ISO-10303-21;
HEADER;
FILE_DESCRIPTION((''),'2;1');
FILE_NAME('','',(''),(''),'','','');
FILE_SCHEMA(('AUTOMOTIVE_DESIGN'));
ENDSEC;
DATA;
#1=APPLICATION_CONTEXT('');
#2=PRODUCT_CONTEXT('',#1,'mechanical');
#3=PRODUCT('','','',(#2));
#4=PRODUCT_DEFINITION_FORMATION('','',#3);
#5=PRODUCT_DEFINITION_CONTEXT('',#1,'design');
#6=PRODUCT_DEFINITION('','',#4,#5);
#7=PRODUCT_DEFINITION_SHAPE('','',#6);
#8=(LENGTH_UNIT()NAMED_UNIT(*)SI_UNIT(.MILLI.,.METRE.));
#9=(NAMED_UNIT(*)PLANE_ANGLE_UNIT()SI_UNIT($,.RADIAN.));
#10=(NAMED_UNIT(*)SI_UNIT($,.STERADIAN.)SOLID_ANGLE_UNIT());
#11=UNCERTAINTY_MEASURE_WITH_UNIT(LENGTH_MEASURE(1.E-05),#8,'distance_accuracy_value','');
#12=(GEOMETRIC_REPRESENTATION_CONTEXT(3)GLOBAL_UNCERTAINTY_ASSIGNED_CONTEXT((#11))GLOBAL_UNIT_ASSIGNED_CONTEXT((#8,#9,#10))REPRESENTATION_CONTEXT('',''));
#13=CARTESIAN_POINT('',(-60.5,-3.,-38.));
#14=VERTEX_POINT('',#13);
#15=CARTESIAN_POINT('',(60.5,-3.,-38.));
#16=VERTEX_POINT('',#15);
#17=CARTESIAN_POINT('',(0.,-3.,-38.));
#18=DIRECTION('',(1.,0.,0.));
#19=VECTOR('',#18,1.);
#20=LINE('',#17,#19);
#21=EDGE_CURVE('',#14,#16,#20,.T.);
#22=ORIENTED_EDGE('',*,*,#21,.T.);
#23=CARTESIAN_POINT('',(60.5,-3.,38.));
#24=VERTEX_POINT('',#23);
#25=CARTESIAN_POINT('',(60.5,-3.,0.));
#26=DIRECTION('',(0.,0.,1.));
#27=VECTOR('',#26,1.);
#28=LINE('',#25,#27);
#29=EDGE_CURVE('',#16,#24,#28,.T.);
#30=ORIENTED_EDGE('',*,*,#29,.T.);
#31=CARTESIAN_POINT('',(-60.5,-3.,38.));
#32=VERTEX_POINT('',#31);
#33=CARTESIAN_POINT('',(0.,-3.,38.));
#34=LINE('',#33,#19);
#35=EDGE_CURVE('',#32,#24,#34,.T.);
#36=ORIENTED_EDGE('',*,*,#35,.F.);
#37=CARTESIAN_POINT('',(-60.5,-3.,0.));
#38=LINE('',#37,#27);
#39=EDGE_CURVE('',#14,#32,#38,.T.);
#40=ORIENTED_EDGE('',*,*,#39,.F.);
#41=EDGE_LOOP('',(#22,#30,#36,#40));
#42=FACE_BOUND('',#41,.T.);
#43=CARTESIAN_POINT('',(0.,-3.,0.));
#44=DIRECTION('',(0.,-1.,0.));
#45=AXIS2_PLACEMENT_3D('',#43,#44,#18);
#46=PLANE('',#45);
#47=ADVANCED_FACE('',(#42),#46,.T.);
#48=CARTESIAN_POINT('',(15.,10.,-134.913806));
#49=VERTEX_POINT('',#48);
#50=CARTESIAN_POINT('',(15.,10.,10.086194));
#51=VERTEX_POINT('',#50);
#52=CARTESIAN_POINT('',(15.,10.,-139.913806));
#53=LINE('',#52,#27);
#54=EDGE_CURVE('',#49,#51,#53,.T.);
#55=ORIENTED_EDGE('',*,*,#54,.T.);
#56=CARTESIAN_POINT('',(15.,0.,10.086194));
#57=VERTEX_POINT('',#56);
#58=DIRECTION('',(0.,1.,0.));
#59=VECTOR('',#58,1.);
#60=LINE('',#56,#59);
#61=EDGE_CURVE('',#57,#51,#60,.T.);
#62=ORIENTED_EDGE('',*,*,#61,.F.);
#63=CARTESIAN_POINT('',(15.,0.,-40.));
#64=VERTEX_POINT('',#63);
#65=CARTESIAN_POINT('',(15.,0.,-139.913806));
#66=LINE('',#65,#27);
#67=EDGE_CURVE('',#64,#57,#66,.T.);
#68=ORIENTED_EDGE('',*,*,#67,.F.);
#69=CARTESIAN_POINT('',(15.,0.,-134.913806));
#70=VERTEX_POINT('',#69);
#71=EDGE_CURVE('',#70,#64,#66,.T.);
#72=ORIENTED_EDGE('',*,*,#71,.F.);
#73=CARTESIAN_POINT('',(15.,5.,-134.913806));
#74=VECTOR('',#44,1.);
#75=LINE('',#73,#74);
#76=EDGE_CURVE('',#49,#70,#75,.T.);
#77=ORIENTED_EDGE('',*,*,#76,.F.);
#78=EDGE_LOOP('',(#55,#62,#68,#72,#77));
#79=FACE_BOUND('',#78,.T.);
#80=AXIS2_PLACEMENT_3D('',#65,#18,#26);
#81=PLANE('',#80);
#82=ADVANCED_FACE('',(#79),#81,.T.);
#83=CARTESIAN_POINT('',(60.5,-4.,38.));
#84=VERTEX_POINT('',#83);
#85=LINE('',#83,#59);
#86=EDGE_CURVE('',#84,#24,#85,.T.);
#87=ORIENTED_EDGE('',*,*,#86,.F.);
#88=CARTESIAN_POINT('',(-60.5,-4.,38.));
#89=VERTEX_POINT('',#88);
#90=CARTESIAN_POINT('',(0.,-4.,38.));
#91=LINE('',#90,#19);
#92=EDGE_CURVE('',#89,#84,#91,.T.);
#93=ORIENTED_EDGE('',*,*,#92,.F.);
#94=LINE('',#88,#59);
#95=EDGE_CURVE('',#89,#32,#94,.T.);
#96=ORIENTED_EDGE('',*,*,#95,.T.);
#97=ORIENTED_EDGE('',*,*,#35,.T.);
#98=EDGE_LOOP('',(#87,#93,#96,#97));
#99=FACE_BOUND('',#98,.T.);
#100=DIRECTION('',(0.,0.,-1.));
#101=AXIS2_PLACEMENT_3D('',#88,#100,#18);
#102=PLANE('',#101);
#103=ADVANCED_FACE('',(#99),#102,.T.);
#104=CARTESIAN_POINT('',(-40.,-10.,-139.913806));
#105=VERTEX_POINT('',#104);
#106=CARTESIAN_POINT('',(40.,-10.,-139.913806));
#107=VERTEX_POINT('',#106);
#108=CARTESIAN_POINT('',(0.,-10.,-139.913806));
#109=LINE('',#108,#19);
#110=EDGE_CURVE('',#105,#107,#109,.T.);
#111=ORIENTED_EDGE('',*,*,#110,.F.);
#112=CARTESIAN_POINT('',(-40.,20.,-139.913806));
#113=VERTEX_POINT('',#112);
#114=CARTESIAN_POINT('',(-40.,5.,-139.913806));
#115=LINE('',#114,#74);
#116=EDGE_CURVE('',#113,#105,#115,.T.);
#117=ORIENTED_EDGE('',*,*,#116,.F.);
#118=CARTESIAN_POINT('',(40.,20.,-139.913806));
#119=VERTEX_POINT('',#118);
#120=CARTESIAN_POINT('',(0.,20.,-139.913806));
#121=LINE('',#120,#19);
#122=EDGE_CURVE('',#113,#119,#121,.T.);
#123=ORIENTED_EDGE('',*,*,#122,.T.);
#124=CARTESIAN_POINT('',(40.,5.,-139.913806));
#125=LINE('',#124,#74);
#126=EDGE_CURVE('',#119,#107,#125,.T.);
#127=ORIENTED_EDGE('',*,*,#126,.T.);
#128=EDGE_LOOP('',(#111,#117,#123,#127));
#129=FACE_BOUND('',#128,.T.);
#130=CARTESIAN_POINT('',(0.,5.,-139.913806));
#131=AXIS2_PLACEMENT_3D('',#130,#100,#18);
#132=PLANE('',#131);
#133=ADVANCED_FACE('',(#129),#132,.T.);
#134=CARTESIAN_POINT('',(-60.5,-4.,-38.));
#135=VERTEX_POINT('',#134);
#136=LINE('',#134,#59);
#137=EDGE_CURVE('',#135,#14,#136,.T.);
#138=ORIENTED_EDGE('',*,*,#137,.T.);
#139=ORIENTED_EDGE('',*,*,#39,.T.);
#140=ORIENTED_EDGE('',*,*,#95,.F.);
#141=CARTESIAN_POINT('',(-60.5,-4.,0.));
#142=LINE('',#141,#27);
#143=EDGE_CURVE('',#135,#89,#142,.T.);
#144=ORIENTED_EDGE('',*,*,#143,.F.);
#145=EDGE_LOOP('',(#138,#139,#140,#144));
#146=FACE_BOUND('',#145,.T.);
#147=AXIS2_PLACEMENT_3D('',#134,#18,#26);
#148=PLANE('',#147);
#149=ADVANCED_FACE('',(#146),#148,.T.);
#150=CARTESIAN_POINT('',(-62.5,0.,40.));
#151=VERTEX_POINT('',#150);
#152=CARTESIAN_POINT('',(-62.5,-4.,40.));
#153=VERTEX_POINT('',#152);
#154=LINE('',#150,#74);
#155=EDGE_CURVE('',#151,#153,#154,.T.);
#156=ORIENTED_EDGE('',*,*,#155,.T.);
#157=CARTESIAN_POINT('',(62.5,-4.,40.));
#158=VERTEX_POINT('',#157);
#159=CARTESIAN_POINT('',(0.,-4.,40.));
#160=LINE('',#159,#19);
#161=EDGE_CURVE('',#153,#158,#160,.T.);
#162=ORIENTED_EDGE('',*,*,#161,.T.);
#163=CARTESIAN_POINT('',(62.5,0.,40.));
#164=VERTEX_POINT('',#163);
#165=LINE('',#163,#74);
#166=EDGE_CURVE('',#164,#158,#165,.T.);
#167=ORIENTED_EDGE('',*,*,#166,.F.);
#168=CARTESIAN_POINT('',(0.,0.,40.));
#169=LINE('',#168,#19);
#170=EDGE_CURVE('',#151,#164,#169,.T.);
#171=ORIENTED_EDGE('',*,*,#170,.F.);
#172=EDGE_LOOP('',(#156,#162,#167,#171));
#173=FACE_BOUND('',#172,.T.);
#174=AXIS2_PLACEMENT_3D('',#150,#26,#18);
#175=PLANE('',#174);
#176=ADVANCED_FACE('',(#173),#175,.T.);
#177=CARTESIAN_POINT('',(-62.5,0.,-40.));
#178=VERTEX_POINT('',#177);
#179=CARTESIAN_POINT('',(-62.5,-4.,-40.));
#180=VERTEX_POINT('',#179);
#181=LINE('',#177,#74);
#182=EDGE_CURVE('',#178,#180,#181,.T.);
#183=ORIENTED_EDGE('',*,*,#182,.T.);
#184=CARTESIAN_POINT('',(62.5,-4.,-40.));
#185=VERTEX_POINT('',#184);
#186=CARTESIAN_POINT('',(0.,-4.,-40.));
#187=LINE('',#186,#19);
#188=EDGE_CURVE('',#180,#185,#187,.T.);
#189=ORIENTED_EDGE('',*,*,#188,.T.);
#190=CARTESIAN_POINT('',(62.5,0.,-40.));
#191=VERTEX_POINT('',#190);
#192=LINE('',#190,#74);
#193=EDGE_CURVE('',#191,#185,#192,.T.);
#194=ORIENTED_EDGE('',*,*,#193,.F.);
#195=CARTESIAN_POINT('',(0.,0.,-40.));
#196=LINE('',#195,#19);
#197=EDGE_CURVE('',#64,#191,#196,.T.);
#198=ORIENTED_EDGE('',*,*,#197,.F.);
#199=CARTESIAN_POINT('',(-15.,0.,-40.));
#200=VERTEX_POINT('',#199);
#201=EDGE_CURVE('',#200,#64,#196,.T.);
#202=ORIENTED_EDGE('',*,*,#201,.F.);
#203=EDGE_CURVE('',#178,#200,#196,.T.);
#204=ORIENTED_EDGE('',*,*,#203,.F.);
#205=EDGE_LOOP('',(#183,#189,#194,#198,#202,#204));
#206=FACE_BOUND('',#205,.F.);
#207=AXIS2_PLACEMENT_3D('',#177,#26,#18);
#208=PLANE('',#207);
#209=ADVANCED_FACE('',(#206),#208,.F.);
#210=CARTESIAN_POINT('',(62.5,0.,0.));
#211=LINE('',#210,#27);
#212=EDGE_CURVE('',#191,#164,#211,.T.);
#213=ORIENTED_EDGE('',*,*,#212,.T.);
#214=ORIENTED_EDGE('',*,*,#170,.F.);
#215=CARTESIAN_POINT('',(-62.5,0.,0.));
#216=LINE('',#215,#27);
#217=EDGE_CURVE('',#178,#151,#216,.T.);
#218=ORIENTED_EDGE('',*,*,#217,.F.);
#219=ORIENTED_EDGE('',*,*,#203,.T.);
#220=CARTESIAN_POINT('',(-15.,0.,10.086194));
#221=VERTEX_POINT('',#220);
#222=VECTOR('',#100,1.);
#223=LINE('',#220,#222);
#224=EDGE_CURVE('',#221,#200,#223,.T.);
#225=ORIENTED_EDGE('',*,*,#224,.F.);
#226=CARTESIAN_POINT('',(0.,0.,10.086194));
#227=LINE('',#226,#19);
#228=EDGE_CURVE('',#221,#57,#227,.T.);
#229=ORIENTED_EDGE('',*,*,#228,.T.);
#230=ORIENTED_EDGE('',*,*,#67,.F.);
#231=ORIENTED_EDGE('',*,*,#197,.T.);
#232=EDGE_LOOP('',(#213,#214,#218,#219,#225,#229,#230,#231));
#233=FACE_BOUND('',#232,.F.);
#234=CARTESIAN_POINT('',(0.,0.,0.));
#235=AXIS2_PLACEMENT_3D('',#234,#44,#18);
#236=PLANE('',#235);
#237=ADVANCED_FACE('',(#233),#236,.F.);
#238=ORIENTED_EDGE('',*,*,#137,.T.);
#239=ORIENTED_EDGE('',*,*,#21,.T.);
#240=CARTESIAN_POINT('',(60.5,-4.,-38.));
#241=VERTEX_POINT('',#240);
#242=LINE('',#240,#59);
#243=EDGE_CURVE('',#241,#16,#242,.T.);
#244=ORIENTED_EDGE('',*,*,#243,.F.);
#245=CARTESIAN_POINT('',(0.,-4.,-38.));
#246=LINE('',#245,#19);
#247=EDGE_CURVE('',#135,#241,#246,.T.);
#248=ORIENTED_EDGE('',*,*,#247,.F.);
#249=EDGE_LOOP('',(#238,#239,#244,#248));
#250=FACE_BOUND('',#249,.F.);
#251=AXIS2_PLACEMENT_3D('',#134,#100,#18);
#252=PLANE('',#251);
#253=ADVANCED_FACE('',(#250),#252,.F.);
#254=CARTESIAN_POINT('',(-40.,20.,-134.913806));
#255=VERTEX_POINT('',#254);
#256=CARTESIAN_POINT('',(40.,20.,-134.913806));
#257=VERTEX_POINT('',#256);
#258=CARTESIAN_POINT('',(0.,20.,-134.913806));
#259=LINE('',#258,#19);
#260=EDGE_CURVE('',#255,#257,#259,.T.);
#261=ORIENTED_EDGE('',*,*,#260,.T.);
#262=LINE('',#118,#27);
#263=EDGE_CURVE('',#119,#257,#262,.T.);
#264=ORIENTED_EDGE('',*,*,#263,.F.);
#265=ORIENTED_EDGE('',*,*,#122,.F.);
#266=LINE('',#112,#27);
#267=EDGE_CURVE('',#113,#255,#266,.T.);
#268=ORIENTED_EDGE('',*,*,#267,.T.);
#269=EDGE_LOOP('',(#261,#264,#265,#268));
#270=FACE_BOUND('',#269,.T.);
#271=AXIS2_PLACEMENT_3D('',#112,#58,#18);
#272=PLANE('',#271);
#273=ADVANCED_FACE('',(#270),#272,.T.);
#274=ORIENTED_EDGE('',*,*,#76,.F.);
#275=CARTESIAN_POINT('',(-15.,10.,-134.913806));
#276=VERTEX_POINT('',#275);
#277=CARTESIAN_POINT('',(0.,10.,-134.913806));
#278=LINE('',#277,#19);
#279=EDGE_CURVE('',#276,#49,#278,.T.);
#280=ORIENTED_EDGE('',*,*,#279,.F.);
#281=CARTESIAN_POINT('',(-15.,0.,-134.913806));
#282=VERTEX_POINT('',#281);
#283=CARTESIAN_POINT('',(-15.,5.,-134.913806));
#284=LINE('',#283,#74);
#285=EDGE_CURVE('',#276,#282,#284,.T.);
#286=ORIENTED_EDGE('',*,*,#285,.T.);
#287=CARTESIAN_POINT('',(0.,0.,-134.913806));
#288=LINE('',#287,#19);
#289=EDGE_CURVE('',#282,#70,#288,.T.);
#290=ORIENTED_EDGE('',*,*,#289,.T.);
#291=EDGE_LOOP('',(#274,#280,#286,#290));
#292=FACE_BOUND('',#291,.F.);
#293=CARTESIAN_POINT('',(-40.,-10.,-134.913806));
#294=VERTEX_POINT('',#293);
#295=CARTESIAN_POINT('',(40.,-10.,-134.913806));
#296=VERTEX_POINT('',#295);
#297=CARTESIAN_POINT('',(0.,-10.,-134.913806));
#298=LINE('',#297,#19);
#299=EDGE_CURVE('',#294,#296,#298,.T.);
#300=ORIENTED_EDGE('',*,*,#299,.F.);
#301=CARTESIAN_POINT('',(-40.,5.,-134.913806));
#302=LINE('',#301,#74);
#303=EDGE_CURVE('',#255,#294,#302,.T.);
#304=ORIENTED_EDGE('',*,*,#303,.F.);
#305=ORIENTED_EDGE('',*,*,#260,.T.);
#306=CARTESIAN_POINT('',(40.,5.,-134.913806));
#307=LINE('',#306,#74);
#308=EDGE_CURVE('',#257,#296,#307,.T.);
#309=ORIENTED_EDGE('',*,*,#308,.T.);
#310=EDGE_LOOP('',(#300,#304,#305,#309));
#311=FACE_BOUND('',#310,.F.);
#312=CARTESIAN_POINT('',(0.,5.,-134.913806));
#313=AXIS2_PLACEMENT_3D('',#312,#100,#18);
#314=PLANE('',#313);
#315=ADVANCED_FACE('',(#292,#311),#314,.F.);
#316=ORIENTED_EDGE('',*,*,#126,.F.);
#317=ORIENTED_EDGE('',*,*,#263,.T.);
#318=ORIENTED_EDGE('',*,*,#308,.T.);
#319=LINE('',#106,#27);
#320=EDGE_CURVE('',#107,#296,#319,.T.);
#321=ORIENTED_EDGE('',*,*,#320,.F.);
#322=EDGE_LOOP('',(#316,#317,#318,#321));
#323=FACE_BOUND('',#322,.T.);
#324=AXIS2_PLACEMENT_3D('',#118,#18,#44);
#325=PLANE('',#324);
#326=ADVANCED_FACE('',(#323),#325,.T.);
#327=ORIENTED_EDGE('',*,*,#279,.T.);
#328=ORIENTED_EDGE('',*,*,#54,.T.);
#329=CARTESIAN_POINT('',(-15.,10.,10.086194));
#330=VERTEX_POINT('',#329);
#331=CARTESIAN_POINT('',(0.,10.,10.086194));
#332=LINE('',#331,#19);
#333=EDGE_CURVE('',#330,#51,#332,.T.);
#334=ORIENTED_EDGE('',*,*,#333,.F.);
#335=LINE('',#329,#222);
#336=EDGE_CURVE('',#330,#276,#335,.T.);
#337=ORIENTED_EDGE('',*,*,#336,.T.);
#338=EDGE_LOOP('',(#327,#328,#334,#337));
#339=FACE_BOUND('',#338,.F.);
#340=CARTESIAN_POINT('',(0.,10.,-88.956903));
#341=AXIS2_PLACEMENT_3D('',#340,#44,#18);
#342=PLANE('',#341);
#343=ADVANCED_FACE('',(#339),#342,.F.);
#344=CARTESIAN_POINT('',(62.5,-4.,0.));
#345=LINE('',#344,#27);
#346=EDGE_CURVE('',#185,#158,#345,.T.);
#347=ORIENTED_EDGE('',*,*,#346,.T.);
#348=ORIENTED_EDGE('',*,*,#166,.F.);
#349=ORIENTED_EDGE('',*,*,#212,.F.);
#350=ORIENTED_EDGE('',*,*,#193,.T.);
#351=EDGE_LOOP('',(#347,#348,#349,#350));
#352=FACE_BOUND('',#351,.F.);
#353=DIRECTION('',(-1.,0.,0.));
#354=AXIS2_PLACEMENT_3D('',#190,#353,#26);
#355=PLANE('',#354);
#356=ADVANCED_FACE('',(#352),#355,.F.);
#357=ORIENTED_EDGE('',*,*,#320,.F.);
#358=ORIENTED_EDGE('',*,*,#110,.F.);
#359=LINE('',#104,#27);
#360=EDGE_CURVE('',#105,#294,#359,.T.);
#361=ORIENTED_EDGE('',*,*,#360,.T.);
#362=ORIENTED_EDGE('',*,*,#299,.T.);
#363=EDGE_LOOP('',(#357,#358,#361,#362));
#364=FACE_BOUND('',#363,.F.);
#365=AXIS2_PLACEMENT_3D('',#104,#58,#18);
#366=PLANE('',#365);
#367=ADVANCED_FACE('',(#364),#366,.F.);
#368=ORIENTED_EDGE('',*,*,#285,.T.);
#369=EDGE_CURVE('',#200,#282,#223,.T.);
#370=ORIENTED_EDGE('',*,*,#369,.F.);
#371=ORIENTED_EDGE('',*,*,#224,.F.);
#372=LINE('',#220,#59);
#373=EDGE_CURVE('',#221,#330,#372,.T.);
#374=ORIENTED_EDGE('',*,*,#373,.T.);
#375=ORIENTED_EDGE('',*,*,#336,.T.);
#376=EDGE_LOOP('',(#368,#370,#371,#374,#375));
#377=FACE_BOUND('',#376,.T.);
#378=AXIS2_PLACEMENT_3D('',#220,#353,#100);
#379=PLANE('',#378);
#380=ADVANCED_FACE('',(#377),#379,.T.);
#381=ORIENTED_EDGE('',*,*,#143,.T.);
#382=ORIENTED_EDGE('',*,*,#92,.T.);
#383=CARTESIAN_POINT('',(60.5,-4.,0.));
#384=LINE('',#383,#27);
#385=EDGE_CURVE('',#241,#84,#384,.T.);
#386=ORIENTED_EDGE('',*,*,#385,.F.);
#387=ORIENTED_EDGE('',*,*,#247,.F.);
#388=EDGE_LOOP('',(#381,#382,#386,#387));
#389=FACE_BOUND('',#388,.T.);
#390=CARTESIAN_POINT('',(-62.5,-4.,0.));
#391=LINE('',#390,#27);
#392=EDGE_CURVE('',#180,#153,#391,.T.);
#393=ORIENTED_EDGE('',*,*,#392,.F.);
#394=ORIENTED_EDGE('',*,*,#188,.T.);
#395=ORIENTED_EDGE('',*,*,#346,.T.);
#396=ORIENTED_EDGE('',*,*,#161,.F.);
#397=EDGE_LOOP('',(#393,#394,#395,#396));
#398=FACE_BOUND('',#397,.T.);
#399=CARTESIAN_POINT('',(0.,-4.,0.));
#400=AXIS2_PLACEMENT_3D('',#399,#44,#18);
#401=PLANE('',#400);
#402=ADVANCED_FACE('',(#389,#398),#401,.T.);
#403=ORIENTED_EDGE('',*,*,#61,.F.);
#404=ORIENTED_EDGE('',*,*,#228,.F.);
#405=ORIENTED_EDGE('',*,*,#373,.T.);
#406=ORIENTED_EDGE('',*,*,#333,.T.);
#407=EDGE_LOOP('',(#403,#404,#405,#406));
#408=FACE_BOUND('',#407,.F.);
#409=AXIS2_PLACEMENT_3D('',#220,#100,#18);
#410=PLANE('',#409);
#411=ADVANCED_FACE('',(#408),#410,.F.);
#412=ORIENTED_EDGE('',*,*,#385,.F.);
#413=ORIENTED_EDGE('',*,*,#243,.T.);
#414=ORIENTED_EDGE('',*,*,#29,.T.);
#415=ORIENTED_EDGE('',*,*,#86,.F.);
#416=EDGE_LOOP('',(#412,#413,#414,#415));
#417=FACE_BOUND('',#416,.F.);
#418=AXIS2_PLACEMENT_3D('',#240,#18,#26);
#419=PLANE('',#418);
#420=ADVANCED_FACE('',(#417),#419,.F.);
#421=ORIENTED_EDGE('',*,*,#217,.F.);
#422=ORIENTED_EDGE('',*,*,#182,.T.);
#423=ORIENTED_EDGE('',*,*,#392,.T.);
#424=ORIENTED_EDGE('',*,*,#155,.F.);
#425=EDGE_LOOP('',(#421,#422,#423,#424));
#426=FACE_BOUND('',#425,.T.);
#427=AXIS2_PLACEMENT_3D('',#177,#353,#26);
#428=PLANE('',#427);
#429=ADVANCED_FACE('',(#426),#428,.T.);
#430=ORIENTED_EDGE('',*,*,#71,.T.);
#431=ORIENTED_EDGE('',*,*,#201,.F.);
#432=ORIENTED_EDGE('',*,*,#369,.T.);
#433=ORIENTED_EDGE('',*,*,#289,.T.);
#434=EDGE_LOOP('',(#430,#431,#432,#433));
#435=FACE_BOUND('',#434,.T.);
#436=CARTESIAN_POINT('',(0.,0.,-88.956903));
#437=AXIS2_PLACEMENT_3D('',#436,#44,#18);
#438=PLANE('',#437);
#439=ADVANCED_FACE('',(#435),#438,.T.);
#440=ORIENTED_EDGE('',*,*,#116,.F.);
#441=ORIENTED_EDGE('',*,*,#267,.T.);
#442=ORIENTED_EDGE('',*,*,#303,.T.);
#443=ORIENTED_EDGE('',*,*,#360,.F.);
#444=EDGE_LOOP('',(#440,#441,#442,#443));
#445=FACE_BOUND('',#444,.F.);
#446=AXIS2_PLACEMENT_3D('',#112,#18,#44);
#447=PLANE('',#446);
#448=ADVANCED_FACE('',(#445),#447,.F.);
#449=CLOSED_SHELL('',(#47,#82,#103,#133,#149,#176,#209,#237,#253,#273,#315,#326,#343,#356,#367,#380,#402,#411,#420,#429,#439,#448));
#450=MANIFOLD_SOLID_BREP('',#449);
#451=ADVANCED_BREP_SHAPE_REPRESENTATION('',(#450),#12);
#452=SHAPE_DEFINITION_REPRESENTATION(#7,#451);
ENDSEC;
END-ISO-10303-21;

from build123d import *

# Parameters (mm, degrees)
F0_W     = 125
F0_H     = 80
F0_W_2   = 121
F0_H_2   = 76
F1_DEPTH = 4
F2_W     = 121
F2_H     = 76
F3_DEPTH = 1
F4_W     = 30
F4_H     = 101.913806
F4_H_2   = 48.086194
F5_DEPTH = 10
F6_W     = 80
F6_H     = 30
F6_W_2   = 30
F6_H_2   = 10
F7_DEPTH = 5


with BuildPart() as f1:
    # F0 (on Front) → F1 (new body)
    with BuildSketch(Plane.XZ):
        Rectangle(F0_W, F0_H)
        Rectangle(F0_W_2, F0_H_2, mode=Mode.SUBTRACT)
        Rectangle(F0_W_2, F0_H_2)
    extrude(amount=F1_DEPTH)

    # F2 (on face) → F3 (cut)
    with BuildSketch(Plane.XZ.offset(4)):
        Rectangle(F2_W, F2_H)
    extrude(amount=-F3_DEPTH, mode=Mode.SUBTRACT)

    # F4 (on face) → F5 (join)
    with BuildSketch(Plane.XZ):
        with Locations((0, -88.956903)):
            Rectangle(F4_W, F4_H)
        with Locations((0, -13.956903)):
            Rectangle(F4_W, F4_H_2)
    extrude(amount=-F5_DEPTH)

    # F6 (on face) → F7 (join)
    with BuildSketch(Plane(origin=(0, 0, -139.913806), x_dir=(1, 0, 0), z_dir=(0, 0, -1))):
        with Locations((0, -5)):
            Rectangle(F6_W, F6_H)
        with Locations((0, -5)):
            Rectangle(F6_W_2, F6_H_2, mode=Mode.SUBTRACT)
    extrude(amount=-F7_DEPTH)


solid = f1.part
